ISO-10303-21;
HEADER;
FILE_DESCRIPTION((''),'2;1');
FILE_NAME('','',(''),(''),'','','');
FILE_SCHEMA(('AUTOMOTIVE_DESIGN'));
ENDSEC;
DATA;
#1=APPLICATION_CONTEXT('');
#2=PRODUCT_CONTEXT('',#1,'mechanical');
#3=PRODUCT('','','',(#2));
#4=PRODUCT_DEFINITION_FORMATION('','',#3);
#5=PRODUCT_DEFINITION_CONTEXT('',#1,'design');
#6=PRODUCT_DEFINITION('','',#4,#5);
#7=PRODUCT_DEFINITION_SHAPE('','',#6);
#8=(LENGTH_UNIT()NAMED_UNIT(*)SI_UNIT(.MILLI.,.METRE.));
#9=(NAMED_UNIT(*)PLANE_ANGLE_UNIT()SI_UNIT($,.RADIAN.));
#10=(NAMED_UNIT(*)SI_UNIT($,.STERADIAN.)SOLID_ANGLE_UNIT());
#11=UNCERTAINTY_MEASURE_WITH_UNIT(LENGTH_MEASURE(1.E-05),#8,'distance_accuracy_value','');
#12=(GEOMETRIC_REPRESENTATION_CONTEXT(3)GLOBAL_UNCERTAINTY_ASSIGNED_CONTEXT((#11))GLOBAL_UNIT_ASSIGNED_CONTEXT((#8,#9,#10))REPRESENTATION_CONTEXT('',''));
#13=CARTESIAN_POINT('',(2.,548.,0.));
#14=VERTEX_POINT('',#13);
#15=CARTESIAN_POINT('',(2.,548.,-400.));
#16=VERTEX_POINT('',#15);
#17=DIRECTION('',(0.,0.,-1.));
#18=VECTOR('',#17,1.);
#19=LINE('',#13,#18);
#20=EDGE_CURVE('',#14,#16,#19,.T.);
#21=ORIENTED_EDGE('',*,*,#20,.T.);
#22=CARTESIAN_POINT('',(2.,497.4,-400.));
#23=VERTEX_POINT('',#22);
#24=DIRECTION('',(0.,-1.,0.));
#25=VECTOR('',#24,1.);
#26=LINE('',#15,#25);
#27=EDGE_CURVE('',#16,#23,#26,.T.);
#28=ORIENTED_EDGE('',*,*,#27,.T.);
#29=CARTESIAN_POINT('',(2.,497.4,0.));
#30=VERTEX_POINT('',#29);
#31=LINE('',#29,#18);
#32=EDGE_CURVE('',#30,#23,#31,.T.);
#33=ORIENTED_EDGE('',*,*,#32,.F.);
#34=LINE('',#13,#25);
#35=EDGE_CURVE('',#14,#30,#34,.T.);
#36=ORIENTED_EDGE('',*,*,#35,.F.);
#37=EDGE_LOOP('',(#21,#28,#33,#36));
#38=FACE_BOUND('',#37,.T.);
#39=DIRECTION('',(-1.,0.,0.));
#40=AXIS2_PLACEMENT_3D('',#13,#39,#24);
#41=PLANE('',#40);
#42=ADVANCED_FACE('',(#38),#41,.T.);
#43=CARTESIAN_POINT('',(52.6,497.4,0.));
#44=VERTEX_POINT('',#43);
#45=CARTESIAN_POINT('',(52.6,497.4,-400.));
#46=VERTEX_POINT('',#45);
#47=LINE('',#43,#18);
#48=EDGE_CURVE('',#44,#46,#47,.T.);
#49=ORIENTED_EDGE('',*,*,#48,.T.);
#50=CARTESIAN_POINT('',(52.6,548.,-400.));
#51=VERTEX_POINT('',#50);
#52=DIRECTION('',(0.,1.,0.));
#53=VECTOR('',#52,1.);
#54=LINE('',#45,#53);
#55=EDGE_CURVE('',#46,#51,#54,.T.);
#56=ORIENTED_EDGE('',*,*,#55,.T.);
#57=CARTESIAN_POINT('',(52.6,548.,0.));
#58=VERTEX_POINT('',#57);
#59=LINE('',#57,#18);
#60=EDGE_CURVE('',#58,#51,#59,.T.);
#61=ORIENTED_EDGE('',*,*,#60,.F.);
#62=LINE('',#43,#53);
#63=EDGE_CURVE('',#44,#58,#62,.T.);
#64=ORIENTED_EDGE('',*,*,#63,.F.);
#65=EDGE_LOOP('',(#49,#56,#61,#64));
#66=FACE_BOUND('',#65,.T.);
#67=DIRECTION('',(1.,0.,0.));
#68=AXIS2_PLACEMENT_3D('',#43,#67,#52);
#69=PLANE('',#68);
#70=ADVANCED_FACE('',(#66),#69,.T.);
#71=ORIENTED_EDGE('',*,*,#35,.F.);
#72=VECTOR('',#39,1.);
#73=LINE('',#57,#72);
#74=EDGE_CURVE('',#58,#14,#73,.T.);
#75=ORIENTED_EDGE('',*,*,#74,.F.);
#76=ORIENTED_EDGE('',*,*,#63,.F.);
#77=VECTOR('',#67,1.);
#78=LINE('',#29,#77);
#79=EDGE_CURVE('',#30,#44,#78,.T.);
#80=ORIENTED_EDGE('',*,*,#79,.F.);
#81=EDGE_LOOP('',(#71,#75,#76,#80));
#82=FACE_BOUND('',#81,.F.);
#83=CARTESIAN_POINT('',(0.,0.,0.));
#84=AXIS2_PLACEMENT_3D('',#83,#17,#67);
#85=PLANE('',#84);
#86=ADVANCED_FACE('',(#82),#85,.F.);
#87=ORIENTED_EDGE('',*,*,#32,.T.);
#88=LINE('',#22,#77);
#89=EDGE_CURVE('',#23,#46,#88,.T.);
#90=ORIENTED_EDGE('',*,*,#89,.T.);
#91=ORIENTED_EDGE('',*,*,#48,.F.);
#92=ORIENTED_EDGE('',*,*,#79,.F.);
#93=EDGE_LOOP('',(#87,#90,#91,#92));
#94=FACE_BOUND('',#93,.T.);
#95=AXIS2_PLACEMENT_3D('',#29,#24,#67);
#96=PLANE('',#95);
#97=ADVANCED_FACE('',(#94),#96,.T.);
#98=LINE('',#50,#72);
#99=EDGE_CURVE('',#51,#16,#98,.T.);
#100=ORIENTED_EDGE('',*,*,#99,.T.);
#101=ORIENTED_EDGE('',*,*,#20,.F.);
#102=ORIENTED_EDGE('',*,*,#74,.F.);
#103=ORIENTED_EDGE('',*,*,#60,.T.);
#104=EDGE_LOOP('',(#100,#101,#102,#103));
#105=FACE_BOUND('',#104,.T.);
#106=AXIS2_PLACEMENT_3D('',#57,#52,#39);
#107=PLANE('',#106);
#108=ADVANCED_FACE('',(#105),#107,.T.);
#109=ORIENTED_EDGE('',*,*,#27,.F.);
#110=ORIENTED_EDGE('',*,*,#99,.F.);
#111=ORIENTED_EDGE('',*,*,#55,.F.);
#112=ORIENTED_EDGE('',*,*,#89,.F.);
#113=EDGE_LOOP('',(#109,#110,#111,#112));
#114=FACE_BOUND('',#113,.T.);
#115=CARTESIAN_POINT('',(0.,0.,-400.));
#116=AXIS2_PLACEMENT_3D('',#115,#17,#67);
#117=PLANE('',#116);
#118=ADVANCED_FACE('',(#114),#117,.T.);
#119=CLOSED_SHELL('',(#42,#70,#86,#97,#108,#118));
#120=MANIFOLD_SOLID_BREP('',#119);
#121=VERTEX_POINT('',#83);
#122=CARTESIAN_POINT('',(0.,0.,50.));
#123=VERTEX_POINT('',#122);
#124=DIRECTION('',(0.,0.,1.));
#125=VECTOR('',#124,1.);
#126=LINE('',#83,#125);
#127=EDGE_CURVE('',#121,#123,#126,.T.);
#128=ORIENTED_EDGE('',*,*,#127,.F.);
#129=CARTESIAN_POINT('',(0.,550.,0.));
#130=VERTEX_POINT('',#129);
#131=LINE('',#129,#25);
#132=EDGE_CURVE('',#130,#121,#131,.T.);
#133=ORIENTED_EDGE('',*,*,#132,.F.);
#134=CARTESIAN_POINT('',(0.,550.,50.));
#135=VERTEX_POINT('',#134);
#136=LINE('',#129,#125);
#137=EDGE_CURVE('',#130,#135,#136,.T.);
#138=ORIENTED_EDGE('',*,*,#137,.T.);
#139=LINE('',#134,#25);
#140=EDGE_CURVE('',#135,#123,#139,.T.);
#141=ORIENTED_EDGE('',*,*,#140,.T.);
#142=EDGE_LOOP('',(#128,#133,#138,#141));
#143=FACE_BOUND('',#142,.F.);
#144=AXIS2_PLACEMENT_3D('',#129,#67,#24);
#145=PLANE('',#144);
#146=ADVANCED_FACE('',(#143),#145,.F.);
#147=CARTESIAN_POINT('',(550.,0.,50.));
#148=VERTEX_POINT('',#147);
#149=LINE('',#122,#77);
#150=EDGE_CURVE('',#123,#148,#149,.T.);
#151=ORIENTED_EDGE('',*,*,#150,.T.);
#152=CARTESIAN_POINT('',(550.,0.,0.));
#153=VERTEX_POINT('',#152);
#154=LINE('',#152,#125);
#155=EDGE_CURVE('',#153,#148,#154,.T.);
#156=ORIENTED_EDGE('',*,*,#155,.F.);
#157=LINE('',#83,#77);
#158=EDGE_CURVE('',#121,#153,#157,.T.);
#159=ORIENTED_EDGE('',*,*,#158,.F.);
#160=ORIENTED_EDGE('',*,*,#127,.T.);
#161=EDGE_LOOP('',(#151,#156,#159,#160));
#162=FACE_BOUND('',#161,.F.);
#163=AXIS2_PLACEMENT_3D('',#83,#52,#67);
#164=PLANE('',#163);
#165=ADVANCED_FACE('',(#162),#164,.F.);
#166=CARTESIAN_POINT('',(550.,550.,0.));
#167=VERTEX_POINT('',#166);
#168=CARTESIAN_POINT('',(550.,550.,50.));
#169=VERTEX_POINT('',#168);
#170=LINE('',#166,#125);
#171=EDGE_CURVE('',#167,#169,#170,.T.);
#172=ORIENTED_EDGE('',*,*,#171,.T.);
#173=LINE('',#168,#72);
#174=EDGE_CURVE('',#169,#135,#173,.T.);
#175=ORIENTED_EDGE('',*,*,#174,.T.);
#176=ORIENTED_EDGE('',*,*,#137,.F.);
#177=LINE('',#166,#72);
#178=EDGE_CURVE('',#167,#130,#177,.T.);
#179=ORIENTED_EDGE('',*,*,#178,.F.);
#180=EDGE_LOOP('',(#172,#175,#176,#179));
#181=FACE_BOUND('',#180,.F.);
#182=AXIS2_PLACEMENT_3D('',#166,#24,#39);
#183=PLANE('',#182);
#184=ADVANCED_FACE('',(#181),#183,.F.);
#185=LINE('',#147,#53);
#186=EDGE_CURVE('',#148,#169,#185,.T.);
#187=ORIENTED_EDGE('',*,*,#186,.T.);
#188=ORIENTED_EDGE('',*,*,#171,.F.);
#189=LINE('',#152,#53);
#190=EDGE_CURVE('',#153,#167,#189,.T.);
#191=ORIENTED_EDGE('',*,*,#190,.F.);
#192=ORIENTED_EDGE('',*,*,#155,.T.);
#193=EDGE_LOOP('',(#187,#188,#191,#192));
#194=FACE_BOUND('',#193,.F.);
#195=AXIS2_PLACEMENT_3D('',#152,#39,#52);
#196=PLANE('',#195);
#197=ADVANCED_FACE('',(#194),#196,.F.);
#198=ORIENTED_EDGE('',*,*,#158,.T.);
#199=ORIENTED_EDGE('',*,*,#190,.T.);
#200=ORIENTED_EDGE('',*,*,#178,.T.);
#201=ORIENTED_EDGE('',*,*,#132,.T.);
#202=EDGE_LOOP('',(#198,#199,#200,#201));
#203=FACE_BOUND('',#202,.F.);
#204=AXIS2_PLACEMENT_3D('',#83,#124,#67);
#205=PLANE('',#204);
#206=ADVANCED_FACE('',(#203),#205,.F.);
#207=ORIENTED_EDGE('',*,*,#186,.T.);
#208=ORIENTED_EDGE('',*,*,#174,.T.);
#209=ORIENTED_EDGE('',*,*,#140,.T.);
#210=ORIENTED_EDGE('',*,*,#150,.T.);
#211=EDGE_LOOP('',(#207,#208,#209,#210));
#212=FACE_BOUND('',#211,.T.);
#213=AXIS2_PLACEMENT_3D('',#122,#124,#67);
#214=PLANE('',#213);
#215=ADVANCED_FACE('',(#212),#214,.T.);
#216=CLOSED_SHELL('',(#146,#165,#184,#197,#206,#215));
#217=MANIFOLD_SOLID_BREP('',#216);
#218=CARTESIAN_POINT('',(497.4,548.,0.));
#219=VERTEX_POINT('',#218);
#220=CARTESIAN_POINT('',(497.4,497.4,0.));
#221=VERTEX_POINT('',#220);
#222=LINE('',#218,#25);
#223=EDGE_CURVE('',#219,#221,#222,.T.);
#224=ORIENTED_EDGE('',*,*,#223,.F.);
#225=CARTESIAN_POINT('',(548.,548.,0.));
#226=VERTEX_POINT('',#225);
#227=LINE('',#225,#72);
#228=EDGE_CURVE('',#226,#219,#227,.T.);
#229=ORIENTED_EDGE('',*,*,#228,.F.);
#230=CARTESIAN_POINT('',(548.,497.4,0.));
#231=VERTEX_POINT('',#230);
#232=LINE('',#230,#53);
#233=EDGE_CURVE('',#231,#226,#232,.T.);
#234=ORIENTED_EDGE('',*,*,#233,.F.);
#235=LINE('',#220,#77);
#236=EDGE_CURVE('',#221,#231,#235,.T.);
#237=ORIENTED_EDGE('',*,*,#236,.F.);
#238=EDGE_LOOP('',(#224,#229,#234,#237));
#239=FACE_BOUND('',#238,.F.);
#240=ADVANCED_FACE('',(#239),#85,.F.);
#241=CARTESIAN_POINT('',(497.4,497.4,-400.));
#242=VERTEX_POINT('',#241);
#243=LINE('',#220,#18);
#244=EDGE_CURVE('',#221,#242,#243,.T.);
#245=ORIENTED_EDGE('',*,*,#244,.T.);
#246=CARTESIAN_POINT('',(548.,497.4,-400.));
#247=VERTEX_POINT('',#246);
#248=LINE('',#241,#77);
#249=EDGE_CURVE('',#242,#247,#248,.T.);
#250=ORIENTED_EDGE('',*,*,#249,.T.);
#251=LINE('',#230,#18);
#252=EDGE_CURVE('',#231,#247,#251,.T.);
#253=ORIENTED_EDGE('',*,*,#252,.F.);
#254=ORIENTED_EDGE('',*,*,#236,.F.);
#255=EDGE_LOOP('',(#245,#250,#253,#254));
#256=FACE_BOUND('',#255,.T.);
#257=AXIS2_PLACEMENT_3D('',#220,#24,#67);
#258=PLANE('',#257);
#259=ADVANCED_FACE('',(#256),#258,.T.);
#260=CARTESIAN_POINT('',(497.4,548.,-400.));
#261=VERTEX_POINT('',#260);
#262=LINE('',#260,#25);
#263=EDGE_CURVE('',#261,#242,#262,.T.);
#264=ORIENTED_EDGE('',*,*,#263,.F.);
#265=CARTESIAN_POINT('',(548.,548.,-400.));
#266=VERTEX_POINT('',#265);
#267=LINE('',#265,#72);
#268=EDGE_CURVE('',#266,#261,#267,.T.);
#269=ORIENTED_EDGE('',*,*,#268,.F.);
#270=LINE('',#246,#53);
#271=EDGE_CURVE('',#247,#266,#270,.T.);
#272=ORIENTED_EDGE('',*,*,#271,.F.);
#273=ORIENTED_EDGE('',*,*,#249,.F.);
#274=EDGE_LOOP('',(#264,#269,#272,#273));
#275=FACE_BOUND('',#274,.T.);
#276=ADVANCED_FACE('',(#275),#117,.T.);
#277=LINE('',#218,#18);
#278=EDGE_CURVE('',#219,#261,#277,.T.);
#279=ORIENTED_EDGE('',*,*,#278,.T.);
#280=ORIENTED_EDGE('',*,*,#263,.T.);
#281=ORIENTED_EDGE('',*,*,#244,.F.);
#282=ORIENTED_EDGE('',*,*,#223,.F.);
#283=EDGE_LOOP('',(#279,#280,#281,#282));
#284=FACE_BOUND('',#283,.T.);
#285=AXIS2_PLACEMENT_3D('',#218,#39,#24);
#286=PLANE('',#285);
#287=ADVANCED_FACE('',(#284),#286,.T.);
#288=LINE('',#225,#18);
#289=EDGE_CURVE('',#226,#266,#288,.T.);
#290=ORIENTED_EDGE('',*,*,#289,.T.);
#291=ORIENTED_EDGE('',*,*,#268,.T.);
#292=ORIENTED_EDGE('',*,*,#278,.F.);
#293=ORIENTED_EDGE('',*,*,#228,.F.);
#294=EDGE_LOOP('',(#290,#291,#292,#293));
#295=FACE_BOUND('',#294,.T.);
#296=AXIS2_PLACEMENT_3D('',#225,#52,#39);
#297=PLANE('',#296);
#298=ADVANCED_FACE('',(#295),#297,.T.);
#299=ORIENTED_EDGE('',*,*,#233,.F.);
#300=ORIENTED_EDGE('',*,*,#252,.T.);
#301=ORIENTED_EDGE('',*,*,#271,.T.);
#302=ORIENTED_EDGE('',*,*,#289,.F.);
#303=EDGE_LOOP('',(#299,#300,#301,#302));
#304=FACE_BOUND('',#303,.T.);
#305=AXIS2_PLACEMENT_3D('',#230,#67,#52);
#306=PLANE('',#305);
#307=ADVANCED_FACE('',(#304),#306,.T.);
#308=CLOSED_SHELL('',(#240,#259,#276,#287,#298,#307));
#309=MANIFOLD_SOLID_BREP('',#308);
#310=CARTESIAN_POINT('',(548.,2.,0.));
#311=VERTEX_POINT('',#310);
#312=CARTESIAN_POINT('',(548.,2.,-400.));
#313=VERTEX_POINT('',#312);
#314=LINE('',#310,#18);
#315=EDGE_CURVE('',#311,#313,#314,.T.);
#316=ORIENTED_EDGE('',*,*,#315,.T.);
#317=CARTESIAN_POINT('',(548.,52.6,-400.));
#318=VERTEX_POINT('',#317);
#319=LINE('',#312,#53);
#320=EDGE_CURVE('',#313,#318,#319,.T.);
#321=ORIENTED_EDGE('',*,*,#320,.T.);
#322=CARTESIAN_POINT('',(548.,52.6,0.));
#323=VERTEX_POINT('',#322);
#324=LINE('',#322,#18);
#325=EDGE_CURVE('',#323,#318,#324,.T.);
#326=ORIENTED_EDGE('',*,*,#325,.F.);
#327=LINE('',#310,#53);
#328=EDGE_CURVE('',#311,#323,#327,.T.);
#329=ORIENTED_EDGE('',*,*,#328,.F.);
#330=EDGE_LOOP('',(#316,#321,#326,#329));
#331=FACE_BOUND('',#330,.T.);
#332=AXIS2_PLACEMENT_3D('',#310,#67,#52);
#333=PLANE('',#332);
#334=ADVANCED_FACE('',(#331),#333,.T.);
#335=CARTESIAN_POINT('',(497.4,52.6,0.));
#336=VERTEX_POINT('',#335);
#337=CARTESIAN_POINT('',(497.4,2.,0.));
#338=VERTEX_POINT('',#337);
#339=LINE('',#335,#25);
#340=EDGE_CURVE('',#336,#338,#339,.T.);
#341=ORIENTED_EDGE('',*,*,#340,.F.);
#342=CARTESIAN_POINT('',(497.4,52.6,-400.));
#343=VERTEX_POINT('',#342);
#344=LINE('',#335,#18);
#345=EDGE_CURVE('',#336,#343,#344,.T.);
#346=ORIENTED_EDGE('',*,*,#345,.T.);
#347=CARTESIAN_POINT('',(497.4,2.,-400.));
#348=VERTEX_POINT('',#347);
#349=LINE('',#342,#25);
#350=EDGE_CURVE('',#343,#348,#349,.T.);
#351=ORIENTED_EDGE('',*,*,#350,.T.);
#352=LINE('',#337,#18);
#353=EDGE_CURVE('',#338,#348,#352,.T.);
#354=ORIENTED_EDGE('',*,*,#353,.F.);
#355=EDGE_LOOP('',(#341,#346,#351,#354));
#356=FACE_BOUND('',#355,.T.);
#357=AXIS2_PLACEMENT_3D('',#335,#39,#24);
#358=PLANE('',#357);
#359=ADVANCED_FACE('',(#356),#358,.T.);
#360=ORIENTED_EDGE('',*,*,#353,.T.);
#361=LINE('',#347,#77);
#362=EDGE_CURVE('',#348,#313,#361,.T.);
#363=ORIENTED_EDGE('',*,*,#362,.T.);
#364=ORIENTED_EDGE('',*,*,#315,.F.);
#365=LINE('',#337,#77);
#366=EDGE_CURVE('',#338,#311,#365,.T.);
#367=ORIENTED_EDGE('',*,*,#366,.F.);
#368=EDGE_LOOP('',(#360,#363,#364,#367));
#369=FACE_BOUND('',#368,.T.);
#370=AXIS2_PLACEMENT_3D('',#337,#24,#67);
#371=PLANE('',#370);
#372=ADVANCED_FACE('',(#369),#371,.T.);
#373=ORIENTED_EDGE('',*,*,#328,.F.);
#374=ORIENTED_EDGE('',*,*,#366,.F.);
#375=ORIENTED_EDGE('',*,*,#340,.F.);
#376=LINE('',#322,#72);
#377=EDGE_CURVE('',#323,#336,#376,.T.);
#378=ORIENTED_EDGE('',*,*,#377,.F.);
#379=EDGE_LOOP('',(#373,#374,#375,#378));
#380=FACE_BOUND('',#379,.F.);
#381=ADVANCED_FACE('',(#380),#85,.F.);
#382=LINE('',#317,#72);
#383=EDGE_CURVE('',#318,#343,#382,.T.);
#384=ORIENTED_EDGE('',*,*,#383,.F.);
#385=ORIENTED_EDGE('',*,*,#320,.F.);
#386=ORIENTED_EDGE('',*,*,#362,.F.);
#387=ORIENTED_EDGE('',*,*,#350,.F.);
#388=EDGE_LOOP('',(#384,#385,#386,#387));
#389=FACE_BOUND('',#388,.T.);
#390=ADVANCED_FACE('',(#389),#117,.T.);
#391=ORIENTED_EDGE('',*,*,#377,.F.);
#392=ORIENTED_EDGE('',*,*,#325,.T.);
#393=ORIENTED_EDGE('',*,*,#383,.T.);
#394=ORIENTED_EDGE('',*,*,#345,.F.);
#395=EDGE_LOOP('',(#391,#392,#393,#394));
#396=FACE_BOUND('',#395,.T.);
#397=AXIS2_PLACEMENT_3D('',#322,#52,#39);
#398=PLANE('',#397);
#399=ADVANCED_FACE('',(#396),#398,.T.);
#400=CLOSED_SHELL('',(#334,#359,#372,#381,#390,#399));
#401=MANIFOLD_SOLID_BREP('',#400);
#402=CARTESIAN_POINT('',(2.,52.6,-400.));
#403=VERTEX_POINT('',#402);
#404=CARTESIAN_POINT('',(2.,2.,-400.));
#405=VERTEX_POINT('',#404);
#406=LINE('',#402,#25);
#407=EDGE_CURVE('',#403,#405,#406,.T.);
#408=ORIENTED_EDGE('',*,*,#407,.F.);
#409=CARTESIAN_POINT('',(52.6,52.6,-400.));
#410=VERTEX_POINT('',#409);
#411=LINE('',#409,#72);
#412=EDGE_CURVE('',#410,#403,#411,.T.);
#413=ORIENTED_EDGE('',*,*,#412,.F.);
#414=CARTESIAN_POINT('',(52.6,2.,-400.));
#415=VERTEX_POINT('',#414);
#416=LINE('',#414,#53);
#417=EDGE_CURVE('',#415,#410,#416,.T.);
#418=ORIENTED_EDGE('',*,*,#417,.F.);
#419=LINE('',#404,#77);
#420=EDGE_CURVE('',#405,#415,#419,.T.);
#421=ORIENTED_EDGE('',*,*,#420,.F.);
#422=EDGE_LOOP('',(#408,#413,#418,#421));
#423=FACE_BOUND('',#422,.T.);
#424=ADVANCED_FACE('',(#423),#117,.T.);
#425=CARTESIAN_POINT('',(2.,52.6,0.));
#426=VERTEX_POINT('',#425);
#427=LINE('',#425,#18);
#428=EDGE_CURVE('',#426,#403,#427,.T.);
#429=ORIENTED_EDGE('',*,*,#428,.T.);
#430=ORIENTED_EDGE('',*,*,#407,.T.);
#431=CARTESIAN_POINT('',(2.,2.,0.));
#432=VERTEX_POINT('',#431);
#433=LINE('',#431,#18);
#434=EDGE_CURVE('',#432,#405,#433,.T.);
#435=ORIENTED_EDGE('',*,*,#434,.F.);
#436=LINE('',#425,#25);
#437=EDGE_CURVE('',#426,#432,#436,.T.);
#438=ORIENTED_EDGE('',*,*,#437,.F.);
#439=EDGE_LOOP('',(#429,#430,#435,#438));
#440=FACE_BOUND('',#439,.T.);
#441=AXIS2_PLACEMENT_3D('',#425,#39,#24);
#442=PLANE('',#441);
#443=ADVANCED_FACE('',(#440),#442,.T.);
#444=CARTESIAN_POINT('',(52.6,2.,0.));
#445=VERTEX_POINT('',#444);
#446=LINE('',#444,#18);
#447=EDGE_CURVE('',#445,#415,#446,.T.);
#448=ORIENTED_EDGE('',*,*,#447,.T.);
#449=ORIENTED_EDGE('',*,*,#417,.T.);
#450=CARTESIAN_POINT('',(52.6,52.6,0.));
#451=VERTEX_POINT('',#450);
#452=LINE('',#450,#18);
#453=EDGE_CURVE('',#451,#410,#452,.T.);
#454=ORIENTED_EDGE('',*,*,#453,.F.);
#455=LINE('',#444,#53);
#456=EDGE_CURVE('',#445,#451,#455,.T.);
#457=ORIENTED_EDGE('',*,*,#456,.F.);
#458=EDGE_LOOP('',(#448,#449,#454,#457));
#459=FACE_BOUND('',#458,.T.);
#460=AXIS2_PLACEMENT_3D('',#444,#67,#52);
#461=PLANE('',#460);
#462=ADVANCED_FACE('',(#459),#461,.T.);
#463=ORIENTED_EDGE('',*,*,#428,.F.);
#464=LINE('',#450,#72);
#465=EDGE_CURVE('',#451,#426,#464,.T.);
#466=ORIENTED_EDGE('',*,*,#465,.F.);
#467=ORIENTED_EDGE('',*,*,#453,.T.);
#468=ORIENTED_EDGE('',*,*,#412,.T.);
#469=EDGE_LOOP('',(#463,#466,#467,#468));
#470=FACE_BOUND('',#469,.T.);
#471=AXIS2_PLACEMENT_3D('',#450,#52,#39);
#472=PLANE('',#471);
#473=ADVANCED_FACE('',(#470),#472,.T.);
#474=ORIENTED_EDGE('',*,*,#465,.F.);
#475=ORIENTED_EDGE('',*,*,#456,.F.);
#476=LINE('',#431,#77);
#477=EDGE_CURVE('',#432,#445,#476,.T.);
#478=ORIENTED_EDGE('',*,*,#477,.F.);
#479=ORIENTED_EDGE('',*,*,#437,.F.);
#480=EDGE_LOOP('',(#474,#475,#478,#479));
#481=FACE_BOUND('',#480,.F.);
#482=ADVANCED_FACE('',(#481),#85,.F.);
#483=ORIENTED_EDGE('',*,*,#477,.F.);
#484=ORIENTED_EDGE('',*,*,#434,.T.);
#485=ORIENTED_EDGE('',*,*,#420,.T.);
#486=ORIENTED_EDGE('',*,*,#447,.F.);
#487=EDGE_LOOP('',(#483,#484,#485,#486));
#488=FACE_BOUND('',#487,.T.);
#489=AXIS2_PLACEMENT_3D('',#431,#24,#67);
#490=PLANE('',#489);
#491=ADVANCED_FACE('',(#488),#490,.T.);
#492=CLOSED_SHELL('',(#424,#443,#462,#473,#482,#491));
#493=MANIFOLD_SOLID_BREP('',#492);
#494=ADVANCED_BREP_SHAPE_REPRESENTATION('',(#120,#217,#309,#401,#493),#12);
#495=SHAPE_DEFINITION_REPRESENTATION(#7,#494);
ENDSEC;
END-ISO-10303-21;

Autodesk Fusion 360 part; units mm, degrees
sketch "Sketch1" plane through (0, 0, 0) normal (0, 0, 1) x (1, 0, 0)
  line L0 (0, 0) -> (550, 0)
  line L1 (550, 0) -> (550, 550)
  line L2 (550, 550) -> (0, 550)
  line L3 (0, 550) -> (0, 0)
  dimension "d1" = 550
  dimension "d2" = 550
extrude "Extrude1" add sketch "Sketch1" along normal blind 50 makes body 1
sketch "Sketch2" plane through (0, 0, 0) normal (0, 0, -1) x (1, 0, 0)
  line L0 (0, 0) -> (0, -550)
  line L1 (0, -550) -> (550, -550)
  line L2 (550, -550) -> (550, 0)
  line L3 (550, 0) -> (0, 0)
  line L4 (2, -2) -> (52.6, -2)
  line L5 (52.6, -2) -> (52.6, -52.6)
  line L6 (52.6, -52.6) -> (2, -52.6)
  line L7 (2, -52.6) -> (2, -2)
  line L8 (497.4, -52.6) -> (497.4, -2)
  line L9 (497.4, -2) -> (548, -2)
  line L10 (548, -2) -> (548, -52.6)
  line L11 (548, -52.6) -> (497.4, -52.6)
  line L12 (2, -548) -> (2, -497.4)
  line L13 (2, -497.4) -> (52.6, -497.4)
  line L14 (52.6, -497.4) -> (52.6, -548)
  line L15 (52.6, -548) -> (2, -548)
  line L16 (497.4, -548) -> (497.4, -497.4)
  line L17 (497.4, -497.4) -> (548, -497.4)
  line L18 (548, -497.4) -> (548, -548)
  line L19 (548, -548) -> (497.4, -548)
  dimension "d5" = 50.6
  dimension "d6" = 50.6
  dimension "d7" = 2
  dimension "d8" = 2
  dimension "d11" = 495.4
  dimension "d12" = -495.4
extrude "Extrude2" add sketch "Sketch2" along normal blind 400 separate body contours L4 L5 L6 L7 | L8 L9 L10 L11 | L12 L13 L14 L15 | L16 L17 L18 L19 makes body 2 at (497.4, 35.7333, -133.3333) makes body 3 at (497.4, 531.1333, -133.3333) makes body 4 at (18.8667, 2, -133.3333) makes body 5 at (18.8667, 497.4, -133.3333)
equation "d8 = d7"
equation "d11 = d1 - 2 * d7 - d5"
equation "d12 = -d1 + 2 * d7 + d5"
